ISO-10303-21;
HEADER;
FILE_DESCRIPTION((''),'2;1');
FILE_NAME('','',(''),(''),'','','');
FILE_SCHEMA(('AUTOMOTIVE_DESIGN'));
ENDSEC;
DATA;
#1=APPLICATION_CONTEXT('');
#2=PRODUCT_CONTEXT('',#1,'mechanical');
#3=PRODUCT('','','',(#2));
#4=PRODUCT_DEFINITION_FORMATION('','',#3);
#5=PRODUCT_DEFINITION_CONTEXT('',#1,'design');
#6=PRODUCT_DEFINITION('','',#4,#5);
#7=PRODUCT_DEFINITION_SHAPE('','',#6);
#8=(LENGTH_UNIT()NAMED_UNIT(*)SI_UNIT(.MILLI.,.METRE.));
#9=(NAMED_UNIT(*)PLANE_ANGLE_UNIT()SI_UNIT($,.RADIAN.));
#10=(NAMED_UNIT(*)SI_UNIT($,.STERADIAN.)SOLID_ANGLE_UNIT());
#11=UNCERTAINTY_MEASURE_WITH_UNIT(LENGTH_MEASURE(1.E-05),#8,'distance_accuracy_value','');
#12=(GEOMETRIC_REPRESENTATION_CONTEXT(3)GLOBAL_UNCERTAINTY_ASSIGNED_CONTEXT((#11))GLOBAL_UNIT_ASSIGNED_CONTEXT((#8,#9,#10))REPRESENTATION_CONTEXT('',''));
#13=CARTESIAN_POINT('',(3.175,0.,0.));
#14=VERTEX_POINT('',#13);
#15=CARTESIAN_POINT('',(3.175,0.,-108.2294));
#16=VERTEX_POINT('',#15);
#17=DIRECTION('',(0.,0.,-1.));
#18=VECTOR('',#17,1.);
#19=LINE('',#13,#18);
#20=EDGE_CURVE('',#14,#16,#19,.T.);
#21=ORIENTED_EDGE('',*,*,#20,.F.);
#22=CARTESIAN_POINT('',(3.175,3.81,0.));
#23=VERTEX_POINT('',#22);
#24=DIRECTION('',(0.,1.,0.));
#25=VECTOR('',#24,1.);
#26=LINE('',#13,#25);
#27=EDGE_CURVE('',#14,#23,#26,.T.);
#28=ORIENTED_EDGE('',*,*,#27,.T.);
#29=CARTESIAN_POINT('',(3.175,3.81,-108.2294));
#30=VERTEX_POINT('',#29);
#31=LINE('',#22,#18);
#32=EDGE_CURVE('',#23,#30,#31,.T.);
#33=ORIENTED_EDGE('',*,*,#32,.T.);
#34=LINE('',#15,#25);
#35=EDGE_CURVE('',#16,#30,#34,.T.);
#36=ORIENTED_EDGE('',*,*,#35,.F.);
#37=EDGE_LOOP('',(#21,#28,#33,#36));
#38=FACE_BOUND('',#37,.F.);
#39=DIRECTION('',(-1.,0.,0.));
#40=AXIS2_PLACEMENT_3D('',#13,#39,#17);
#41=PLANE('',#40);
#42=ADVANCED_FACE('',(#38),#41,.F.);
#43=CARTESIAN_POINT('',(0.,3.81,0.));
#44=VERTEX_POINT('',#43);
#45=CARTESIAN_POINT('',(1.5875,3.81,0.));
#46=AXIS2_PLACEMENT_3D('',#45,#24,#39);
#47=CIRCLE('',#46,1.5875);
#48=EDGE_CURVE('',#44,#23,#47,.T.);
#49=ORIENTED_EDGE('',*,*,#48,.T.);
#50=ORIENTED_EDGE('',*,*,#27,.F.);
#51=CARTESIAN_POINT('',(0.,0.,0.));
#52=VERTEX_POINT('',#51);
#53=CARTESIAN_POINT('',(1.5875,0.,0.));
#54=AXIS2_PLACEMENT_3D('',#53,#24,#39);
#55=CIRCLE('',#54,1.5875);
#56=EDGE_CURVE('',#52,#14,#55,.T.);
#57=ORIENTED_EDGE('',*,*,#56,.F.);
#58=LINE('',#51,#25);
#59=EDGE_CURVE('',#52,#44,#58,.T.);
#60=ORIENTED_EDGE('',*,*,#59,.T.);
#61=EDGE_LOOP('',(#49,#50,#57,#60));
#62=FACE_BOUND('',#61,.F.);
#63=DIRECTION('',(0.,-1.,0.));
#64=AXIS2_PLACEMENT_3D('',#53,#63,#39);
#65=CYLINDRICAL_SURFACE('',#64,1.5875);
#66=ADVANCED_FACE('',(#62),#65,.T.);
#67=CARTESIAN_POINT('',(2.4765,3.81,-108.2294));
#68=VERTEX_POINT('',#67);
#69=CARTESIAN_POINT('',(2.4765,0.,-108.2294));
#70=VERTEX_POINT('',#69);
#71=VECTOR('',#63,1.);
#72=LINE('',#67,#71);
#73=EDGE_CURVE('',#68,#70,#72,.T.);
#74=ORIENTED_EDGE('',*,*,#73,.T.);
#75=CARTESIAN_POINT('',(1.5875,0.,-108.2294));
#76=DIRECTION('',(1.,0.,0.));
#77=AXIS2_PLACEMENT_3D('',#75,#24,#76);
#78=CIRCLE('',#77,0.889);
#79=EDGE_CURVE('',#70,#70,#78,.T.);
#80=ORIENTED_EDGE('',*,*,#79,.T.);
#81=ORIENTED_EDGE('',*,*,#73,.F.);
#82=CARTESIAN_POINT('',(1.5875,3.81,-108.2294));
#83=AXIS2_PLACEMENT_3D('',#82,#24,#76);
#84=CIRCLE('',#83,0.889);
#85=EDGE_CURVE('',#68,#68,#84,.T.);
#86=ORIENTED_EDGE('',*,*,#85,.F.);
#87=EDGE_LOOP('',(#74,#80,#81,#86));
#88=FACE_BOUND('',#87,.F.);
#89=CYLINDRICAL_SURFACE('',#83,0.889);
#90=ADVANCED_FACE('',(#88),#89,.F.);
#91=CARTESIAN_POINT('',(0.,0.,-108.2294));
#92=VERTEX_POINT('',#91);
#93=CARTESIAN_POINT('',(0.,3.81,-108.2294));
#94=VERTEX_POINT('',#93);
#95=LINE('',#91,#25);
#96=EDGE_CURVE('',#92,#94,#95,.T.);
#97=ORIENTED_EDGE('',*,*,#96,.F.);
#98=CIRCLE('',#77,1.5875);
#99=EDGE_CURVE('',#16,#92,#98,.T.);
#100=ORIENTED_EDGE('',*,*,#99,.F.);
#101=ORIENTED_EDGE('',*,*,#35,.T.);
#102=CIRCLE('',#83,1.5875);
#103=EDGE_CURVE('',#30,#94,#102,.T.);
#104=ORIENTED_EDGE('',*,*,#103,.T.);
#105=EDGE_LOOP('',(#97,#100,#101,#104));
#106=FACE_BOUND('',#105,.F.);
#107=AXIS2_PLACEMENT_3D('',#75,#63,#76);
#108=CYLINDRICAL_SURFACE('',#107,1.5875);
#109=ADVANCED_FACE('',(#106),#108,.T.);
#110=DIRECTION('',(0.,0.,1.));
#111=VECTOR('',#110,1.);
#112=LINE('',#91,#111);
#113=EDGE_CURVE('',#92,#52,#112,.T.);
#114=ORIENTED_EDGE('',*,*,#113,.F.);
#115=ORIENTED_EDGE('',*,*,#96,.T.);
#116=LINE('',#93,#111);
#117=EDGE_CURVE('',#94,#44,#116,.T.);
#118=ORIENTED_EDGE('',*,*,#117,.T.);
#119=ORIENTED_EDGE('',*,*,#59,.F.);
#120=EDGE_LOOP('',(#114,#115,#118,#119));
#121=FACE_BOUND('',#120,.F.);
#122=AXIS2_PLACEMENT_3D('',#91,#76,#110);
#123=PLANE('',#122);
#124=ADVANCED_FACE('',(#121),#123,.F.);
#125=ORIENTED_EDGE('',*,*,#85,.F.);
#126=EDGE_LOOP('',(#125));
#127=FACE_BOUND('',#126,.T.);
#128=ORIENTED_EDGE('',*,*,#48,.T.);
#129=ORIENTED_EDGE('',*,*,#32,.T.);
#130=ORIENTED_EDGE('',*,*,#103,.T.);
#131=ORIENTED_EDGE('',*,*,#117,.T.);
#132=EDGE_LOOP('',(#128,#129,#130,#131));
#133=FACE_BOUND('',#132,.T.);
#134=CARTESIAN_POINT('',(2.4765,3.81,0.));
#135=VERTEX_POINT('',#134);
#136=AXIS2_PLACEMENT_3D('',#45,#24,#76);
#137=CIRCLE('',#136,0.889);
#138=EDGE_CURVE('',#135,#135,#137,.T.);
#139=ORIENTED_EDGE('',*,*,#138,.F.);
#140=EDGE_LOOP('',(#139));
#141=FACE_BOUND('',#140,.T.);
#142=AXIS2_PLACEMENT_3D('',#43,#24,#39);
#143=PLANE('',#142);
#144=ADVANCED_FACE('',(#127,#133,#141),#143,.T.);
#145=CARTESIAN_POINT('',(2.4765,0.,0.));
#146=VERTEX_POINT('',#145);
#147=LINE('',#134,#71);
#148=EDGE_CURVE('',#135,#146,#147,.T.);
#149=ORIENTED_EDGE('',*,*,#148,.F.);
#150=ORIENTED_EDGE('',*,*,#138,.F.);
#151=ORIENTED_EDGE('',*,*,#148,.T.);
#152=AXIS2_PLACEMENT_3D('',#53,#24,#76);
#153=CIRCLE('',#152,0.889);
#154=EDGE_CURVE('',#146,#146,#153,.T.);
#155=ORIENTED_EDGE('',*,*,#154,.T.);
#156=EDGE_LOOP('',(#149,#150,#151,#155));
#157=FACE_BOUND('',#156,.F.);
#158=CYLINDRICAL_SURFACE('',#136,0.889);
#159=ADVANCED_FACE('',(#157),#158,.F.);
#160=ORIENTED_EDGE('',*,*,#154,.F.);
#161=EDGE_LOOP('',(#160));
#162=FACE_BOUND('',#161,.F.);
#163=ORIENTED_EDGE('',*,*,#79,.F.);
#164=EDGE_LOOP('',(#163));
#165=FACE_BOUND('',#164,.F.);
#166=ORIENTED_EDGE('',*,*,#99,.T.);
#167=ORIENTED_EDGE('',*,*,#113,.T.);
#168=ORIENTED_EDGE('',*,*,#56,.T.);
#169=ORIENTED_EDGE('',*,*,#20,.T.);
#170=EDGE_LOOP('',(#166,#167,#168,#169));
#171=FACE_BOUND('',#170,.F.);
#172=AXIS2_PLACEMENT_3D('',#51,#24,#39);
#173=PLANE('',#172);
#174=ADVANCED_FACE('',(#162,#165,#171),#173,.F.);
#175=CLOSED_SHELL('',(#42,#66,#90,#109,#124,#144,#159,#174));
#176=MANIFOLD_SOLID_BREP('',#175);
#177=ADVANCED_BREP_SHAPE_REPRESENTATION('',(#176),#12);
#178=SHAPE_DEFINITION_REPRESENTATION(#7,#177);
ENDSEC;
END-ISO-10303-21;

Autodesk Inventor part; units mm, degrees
ref_plane "YZ Plane" through (0, 0, 0) normal (1, 0, 0) x (0, 1, 0)
ref_plane "XZ Plane" through (0, 0, 0) normal (0, 1, 0) x (-1, 0, 0)
ref_plane "XY Plane" through (0, 0, 0) normal (0, 0, 1) x (1, 0, 0)
sketch "Sketch1" plane through (0, 0, 0) normal (0, 1, 0) x (-1, 0, 0)
  line L0 (-3.175, 0) -> (-3.175, -108.2294)
  line L1 (0, -108.2294) -> (0, 0)
  arc A0 (0, 0) -> (-3.175, 0) centre (-1.5875, 0) ccw
  arc A1 (-3.175, -108.2294) -> (0, -108.2294) centre (-1.5875, -108.2294) ccw
  dimension "d0" = 3.175
  dimension "d1" = 108.2294
extrude "Extrusion1" add sketch "Sketch1" along normal blind 3.81
sketch "Sketch2" plane through (0, 3.81, 0) normal (0, 1, 0) x (1, 0, 0)
  arc A0 (0, 0) -> (3.175, 0) centre (1.5875, 0) ccw projected
  circle A1 centre (1.5875, 0) radius 0.889
  arc A2 (3.175, 108.2294) -> (0, 108.2294) centre (1.5875, 108.2294) ccw projected
  circle A3 centre (1.5875, 108.2294) radius 0.889
  dimension "d4" = 1.778
extrude "Extrusion2" cut sketch "Sketch2" against normal blind 3.81
properties part number "scrambler_spider_support2"
